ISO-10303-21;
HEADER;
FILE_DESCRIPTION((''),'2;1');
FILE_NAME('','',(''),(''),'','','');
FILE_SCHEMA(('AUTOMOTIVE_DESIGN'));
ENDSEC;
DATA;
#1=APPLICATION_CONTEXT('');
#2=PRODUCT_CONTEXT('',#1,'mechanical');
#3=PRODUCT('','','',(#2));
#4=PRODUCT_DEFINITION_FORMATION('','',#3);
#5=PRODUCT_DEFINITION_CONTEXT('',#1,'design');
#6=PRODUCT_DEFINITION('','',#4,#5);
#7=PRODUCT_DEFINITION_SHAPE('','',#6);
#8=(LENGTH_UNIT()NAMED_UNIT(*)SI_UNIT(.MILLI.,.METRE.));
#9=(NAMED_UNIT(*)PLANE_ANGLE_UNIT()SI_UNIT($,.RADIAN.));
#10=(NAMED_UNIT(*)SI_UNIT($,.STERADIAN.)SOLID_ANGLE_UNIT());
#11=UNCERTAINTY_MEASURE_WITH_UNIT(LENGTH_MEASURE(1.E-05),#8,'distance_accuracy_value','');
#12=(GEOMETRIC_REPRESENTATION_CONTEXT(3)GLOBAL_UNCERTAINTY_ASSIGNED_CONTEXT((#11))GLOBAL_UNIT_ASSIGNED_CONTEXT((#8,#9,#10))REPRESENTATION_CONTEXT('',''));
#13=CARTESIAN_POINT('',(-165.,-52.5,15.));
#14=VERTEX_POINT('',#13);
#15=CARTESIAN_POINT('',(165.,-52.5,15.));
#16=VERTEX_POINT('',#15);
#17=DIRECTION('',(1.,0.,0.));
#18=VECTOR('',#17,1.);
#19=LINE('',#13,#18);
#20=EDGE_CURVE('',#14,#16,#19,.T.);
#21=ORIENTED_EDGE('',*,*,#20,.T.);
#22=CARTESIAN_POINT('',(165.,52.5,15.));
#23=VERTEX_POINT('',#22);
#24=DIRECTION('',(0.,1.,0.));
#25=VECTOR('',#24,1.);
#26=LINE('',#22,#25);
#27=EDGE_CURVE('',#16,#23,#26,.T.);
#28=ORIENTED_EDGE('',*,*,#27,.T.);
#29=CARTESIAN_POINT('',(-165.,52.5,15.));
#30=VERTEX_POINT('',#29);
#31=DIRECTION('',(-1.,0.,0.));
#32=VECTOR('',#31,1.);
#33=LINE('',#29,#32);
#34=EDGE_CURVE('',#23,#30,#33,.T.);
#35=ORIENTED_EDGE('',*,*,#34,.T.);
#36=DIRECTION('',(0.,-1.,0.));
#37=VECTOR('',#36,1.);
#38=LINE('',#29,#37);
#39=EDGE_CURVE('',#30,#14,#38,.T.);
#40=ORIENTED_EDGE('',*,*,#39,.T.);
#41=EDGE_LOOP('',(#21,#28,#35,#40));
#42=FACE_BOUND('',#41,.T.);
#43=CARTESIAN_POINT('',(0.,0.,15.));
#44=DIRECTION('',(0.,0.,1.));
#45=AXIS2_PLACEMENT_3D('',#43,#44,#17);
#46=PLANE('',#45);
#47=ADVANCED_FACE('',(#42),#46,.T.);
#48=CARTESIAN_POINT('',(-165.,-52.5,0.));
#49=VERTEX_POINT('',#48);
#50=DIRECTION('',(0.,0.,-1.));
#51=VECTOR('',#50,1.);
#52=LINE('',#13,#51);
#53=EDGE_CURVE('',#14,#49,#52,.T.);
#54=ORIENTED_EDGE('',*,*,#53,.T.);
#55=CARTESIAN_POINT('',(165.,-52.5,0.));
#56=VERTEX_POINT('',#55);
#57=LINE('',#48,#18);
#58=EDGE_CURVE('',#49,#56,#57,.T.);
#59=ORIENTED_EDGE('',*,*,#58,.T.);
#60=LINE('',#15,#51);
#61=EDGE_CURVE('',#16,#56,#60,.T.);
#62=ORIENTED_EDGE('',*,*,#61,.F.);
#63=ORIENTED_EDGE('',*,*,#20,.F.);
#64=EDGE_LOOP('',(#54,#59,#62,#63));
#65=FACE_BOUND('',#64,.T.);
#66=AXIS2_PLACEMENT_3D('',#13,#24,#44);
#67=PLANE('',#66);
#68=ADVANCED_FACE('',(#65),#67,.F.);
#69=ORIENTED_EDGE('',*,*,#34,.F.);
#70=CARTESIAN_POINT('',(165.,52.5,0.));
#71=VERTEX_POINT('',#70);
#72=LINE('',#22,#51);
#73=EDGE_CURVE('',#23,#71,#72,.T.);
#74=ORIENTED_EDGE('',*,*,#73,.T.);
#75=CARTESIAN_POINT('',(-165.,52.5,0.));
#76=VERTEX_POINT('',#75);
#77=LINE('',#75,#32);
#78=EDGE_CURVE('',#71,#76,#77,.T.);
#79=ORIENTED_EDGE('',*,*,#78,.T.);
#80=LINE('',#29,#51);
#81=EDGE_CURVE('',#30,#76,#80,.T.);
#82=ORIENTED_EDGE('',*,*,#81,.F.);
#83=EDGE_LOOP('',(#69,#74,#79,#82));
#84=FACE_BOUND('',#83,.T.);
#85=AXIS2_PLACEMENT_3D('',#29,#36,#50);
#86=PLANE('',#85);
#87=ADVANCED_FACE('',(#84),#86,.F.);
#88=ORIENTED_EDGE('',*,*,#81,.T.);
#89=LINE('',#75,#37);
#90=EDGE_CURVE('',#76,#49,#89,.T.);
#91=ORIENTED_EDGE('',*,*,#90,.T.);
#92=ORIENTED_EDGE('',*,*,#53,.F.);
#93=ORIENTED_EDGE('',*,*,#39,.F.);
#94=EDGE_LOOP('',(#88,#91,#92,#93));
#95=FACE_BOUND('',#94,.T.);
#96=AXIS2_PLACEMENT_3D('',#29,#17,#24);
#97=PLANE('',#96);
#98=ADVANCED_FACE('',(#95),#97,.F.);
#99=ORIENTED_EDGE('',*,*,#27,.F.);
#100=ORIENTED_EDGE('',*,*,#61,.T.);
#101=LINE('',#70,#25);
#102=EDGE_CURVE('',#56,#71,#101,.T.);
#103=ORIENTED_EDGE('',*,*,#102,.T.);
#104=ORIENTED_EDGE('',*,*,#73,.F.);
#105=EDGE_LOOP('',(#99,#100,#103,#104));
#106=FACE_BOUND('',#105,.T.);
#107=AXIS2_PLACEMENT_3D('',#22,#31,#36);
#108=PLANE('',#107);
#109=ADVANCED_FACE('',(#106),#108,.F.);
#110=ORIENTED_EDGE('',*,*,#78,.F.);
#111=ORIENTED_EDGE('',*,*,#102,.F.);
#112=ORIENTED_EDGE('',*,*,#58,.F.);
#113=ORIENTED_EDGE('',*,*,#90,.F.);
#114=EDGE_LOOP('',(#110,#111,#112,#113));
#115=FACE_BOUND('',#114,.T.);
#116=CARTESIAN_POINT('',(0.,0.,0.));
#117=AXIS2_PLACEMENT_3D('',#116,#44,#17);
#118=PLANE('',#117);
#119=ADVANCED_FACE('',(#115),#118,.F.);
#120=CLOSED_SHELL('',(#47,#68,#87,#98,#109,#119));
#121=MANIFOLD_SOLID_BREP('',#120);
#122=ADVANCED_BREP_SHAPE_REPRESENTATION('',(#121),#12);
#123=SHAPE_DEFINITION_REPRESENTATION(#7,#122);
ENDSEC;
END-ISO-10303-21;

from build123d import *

# Parameters (mm, degrees)
ESBO_O1_W                = 330
ESBO_O1_H                = 105
RESSALTO_EXTRUS_O1_DEPTH = 15


with BuildPart() as part:
    # Esboço1 → Ressalto-extrusão1 (new body)
    with BuildSketch(Plane.XY):
        Rectangle(ESBO_O1_W, ESBO_O1_H)
    extrude(amount=RESSALTO_EXTRUS_O1_DEPTH)


solid = part.part
